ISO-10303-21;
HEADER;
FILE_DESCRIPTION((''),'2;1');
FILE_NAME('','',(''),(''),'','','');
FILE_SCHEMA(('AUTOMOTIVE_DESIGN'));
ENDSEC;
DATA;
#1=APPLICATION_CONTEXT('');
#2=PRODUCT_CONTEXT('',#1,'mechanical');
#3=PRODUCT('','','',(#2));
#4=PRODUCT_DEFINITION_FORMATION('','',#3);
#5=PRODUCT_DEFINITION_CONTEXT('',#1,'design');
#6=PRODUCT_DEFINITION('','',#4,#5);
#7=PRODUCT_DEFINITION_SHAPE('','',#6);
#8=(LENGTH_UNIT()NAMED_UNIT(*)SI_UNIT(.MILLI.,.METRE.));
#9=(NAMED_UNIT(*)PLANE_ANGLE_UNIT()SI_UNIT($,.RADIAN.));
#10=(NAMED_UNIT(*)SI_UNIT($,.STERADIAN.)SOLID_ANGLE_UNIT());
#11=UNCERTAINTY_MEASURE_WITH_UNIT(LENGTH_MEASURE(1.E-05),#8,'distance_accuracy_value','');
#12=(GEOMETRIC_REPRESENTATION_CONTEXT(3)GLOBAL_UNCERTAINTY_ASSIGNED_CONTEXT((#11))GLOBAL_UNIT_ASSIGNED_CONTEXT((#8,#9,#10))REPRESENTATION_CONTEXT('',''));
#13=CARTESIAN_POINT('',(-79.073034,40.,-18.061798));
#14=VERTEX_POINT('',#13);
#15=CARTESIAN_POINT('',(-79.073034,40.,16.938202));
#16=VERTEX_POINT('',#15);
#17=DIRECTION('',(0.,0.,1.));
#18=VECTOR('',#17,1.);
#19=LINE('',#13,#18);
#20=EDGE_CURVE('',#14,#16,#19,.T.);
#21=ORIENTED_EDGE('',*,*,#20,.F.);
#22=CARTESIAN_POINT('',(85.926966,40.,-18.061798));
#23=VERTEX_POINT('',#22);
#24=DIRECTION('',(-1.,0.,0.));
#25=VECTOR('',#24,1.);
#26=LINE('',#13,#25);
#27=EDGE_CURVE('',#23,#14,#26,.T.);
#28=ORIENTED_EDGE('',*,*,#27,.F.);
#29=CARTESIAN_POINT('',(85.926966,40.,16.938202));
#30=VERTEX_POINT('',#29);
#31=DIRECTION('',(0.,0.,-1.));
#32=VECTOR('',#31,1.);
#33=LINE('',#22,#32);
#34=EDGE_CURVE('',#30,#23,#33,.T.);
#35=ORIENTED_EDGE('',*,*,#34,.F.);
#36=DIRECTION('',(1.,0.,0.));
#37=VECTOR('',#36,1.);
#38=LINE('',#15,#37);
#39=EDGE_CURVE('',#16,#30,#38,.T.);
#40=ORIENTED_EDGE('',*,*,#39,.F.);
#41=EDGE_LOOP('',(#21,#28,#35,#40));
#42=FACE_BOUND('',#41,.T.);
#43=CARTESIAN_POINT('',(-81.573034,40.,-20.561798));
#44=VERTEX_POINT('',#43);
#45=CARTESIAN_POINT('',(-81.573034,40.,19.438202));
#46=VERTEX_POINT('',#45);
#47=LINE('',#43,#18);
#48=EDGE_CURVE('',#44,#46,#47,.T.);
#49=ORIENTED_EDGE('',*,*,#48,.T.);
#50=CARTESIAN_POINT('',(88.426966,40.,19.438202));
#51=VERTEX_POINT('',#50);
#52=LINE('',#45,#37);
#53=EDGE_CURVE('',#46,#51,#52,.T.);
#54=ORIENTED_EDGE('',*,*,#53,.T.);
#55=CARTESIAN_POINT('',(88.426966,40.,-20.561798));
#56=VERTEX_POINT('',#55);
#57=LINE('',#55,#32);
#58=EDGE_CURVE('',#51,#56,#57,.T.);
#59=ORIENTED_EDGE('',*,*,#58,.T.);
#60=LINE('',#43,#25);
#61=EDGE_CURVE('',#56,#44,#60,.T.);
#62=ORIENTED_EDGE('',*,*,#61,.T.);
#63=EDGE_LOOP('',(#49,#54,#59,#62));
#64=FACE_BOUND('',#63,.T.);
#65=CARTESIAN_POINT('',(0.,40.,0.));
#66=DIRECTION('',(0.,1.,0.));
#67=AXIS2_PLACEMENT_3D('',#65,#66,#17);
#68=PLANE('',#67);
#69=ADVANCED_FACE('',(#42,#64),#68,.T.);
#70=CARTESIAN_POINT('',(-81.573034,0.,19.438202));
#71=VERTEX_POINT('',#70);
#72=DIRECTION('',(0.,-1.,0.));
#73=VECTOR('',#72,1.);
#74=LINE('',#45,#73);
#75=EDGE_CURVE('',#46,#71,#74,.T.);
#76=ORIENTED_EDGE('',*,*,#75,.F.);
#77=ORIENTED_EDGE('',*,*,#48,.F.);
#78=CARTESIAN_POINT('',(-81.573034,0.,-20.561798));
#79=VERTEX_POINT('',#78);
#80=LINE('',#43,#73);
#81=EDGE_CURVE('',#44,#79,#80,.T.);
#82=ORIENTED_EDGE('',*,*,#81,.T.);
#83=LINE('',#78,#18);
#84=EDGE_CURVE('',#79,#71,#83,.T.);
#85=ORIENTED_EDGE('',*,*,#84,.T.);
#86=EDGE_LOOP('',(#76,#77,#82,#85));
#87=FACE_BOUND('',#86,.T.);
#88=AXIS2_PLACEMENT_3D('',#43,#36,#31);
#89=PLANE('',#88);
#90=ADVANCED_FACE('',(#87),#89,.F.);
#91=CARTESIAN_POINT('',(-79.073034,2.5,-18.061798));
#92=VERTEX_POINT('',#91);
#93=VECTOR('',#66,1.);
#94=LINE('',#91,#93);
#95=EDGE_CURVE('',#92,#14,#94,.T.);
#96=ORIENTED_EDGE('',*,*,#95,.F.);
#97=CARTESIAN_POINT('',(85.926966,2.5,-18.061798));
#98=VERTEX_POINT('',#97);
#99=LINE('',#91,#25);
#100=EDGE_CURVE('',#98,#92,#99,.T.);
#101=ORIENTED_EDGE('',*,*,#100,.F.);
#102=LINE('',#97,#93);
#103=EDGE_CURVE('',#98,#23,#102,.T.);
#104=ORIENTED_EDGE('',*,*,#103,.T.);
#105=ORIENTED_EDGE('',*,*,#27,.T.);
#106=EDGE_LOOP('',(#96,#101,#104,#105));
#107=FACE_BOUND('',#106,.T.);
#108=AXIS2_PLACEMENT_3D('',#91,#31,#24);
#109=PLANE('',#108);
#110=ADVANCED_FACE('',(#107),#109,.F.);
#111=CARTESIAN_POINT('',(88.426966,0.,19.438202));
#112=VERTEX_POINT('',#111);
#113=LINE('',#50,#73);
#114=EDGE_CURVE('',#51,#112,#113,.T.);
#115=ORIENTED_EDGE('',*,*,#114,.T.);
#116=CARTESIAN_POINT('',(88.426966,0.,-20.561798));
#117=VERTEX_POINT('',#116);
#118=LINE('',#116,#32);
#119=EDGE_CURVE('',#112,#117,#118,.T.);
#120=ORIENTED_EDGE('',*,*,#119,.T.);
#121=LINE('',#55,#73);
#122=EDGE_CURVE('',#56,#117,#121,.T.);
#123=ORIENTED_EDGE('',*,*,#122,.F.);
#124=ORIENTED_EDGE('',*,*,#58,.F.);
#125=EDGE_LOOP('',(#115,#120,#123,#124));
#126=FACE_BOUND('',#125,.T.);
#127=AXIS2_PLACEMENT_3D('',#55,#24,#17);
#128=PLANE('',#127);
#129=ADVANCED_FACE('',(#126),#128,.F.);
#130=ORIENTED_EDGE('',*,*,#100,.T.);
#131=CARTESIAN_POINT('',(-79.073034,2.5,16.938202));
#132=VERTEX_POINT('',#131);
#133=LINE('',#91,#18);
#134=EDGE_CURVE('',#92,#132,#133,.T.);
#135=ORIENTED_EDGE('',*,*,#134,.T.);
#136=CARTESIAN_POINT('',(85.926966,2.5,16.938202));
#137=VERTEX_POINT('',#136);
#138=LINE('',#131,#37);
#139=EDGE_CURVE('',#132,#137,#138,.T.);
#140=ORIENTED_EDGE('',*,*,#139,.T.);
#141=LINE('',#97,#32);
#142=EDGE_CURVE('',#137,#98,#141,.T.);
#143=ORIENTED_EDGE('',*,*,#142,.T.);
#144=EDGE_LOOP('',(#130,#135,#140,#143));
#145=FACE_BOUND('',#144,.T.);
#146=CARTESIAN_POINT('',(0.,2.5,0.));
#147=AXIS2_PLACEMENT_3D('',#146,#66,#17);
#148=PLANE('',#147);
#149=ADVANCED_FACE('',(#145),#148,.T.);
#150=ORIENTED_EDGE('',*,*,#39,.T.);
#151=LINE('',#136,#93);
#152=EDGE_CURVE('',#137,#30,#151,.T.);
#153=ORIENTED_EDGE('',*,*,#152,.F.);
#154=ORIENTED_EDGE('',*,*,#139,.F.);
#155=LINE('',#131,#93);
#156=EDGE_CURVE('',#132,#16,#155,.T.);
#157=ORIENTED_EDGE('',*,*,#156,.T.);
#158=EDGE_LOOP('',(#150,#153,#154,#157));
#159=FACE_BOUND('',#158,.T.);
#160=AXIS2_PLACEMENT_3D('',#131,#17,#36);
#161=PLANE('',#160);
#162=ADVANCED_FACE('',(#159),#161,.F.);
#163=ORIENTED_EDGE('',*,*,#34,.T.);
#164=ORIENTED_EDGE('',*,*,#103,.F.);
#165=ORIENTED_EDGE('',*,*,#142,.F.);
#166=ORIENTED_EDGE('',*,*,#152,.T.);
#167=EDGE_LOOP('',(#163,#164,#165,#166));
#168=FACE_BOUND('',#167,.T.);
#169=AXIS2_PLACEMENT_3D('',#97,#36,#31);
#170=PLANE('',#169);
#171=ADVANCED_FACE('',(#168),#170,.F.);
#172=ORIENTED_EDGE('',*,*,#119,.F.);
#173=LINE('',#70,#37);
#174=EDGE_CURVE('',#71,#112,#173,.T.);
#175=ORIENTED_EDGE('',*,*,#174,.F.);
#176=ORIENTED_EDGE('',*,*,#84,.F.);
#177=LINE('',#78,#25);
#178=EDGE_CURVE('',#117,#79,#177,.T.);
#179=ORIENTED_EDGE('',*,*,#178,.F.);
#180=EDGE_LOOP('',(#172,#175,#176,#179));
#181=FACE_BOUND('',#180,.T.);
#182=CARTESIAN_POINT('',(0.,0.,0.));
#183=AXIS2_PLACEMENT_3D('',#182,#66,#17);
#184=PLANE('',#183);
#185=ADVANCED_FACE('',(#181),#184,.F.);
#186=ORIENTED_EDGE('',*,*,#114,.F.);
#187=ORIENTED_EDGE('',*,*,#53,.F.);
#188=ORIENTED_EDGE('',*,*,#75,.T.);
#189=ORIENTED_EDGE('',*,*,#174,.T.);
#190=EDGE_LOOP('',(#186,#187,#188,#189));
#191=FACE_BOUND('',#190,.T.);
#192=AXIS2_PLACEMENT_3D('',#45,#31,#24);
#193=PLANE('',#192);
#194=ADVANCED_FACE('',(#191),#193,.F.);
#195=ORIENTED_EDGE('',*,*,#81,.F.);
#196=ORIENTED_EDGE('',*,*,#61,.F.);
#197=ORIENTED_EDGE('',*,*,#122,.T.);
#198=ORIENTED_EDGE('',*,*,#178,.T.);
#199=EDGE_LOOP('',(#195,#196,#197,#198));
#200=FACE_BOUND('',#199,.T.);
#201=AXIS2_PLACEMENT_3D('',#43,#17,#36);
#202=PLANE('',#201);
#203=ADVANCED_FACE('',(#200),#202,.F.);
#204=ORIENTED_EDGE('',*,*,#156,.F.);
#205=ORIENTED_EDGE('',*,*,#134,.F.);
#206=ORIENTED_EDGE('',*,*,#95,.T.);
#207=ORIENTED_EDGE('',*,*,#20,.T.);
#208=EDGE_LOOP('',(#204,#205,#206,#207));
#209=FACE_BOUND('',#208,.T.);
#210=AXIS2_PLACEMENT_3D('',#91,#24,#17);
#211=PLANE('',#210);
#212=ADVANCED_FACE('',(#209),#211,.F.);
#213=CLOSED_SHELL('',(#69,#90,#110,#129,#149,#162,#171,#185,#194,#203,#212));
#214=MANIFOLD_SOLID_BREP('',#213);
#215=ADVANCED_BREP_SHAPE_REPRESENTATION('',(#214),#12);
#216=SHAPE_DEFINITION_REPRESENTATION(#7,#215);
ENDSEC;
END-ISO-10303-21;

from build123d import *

# Parameters (mm, degrees)
CROQUIS1_W              = 170
CROQUIS1_H              = 40
SALIENTE_EXTRUIR1_DEPTH = 40
CROQUIS2_W              = 165
CROQUIS2_H              = 35
CORTAR_EXTRUIR1_DEPTH   = 37.5


with BuildPart() as part:
    # Croquis1 → Saliente-Extruir1 (new body)
    with BuildSketch(Plane(origin=(0, 0, 0), x_dir=(1, 0, 0), z_dir=(0, 1, 0))):
        with Locations((3.426966292, 0.561797753)):
            Rectangle(CROQUIS1_W, CROQUIS1_H)
    extrude(amount=SALIENTE_EXTRUIR1_DEPTH)

    # Croquis2 → Cortar-Extruir1 (cut)
    with BuildSketch(Plane(origin=(0, 40, 0), x_dir=(1, 0, 0), z_dir=(0, 1, 0))):
        with Locations((3.426966292, 0.561797753)):
            Rectangle(CROQUIS2_W, CROQUIS2_H)
    extrude(amount=-CORTAR_EXTRUIR1_DEPTH, mode=Mode.SUBTRACT)


solid = part.part
